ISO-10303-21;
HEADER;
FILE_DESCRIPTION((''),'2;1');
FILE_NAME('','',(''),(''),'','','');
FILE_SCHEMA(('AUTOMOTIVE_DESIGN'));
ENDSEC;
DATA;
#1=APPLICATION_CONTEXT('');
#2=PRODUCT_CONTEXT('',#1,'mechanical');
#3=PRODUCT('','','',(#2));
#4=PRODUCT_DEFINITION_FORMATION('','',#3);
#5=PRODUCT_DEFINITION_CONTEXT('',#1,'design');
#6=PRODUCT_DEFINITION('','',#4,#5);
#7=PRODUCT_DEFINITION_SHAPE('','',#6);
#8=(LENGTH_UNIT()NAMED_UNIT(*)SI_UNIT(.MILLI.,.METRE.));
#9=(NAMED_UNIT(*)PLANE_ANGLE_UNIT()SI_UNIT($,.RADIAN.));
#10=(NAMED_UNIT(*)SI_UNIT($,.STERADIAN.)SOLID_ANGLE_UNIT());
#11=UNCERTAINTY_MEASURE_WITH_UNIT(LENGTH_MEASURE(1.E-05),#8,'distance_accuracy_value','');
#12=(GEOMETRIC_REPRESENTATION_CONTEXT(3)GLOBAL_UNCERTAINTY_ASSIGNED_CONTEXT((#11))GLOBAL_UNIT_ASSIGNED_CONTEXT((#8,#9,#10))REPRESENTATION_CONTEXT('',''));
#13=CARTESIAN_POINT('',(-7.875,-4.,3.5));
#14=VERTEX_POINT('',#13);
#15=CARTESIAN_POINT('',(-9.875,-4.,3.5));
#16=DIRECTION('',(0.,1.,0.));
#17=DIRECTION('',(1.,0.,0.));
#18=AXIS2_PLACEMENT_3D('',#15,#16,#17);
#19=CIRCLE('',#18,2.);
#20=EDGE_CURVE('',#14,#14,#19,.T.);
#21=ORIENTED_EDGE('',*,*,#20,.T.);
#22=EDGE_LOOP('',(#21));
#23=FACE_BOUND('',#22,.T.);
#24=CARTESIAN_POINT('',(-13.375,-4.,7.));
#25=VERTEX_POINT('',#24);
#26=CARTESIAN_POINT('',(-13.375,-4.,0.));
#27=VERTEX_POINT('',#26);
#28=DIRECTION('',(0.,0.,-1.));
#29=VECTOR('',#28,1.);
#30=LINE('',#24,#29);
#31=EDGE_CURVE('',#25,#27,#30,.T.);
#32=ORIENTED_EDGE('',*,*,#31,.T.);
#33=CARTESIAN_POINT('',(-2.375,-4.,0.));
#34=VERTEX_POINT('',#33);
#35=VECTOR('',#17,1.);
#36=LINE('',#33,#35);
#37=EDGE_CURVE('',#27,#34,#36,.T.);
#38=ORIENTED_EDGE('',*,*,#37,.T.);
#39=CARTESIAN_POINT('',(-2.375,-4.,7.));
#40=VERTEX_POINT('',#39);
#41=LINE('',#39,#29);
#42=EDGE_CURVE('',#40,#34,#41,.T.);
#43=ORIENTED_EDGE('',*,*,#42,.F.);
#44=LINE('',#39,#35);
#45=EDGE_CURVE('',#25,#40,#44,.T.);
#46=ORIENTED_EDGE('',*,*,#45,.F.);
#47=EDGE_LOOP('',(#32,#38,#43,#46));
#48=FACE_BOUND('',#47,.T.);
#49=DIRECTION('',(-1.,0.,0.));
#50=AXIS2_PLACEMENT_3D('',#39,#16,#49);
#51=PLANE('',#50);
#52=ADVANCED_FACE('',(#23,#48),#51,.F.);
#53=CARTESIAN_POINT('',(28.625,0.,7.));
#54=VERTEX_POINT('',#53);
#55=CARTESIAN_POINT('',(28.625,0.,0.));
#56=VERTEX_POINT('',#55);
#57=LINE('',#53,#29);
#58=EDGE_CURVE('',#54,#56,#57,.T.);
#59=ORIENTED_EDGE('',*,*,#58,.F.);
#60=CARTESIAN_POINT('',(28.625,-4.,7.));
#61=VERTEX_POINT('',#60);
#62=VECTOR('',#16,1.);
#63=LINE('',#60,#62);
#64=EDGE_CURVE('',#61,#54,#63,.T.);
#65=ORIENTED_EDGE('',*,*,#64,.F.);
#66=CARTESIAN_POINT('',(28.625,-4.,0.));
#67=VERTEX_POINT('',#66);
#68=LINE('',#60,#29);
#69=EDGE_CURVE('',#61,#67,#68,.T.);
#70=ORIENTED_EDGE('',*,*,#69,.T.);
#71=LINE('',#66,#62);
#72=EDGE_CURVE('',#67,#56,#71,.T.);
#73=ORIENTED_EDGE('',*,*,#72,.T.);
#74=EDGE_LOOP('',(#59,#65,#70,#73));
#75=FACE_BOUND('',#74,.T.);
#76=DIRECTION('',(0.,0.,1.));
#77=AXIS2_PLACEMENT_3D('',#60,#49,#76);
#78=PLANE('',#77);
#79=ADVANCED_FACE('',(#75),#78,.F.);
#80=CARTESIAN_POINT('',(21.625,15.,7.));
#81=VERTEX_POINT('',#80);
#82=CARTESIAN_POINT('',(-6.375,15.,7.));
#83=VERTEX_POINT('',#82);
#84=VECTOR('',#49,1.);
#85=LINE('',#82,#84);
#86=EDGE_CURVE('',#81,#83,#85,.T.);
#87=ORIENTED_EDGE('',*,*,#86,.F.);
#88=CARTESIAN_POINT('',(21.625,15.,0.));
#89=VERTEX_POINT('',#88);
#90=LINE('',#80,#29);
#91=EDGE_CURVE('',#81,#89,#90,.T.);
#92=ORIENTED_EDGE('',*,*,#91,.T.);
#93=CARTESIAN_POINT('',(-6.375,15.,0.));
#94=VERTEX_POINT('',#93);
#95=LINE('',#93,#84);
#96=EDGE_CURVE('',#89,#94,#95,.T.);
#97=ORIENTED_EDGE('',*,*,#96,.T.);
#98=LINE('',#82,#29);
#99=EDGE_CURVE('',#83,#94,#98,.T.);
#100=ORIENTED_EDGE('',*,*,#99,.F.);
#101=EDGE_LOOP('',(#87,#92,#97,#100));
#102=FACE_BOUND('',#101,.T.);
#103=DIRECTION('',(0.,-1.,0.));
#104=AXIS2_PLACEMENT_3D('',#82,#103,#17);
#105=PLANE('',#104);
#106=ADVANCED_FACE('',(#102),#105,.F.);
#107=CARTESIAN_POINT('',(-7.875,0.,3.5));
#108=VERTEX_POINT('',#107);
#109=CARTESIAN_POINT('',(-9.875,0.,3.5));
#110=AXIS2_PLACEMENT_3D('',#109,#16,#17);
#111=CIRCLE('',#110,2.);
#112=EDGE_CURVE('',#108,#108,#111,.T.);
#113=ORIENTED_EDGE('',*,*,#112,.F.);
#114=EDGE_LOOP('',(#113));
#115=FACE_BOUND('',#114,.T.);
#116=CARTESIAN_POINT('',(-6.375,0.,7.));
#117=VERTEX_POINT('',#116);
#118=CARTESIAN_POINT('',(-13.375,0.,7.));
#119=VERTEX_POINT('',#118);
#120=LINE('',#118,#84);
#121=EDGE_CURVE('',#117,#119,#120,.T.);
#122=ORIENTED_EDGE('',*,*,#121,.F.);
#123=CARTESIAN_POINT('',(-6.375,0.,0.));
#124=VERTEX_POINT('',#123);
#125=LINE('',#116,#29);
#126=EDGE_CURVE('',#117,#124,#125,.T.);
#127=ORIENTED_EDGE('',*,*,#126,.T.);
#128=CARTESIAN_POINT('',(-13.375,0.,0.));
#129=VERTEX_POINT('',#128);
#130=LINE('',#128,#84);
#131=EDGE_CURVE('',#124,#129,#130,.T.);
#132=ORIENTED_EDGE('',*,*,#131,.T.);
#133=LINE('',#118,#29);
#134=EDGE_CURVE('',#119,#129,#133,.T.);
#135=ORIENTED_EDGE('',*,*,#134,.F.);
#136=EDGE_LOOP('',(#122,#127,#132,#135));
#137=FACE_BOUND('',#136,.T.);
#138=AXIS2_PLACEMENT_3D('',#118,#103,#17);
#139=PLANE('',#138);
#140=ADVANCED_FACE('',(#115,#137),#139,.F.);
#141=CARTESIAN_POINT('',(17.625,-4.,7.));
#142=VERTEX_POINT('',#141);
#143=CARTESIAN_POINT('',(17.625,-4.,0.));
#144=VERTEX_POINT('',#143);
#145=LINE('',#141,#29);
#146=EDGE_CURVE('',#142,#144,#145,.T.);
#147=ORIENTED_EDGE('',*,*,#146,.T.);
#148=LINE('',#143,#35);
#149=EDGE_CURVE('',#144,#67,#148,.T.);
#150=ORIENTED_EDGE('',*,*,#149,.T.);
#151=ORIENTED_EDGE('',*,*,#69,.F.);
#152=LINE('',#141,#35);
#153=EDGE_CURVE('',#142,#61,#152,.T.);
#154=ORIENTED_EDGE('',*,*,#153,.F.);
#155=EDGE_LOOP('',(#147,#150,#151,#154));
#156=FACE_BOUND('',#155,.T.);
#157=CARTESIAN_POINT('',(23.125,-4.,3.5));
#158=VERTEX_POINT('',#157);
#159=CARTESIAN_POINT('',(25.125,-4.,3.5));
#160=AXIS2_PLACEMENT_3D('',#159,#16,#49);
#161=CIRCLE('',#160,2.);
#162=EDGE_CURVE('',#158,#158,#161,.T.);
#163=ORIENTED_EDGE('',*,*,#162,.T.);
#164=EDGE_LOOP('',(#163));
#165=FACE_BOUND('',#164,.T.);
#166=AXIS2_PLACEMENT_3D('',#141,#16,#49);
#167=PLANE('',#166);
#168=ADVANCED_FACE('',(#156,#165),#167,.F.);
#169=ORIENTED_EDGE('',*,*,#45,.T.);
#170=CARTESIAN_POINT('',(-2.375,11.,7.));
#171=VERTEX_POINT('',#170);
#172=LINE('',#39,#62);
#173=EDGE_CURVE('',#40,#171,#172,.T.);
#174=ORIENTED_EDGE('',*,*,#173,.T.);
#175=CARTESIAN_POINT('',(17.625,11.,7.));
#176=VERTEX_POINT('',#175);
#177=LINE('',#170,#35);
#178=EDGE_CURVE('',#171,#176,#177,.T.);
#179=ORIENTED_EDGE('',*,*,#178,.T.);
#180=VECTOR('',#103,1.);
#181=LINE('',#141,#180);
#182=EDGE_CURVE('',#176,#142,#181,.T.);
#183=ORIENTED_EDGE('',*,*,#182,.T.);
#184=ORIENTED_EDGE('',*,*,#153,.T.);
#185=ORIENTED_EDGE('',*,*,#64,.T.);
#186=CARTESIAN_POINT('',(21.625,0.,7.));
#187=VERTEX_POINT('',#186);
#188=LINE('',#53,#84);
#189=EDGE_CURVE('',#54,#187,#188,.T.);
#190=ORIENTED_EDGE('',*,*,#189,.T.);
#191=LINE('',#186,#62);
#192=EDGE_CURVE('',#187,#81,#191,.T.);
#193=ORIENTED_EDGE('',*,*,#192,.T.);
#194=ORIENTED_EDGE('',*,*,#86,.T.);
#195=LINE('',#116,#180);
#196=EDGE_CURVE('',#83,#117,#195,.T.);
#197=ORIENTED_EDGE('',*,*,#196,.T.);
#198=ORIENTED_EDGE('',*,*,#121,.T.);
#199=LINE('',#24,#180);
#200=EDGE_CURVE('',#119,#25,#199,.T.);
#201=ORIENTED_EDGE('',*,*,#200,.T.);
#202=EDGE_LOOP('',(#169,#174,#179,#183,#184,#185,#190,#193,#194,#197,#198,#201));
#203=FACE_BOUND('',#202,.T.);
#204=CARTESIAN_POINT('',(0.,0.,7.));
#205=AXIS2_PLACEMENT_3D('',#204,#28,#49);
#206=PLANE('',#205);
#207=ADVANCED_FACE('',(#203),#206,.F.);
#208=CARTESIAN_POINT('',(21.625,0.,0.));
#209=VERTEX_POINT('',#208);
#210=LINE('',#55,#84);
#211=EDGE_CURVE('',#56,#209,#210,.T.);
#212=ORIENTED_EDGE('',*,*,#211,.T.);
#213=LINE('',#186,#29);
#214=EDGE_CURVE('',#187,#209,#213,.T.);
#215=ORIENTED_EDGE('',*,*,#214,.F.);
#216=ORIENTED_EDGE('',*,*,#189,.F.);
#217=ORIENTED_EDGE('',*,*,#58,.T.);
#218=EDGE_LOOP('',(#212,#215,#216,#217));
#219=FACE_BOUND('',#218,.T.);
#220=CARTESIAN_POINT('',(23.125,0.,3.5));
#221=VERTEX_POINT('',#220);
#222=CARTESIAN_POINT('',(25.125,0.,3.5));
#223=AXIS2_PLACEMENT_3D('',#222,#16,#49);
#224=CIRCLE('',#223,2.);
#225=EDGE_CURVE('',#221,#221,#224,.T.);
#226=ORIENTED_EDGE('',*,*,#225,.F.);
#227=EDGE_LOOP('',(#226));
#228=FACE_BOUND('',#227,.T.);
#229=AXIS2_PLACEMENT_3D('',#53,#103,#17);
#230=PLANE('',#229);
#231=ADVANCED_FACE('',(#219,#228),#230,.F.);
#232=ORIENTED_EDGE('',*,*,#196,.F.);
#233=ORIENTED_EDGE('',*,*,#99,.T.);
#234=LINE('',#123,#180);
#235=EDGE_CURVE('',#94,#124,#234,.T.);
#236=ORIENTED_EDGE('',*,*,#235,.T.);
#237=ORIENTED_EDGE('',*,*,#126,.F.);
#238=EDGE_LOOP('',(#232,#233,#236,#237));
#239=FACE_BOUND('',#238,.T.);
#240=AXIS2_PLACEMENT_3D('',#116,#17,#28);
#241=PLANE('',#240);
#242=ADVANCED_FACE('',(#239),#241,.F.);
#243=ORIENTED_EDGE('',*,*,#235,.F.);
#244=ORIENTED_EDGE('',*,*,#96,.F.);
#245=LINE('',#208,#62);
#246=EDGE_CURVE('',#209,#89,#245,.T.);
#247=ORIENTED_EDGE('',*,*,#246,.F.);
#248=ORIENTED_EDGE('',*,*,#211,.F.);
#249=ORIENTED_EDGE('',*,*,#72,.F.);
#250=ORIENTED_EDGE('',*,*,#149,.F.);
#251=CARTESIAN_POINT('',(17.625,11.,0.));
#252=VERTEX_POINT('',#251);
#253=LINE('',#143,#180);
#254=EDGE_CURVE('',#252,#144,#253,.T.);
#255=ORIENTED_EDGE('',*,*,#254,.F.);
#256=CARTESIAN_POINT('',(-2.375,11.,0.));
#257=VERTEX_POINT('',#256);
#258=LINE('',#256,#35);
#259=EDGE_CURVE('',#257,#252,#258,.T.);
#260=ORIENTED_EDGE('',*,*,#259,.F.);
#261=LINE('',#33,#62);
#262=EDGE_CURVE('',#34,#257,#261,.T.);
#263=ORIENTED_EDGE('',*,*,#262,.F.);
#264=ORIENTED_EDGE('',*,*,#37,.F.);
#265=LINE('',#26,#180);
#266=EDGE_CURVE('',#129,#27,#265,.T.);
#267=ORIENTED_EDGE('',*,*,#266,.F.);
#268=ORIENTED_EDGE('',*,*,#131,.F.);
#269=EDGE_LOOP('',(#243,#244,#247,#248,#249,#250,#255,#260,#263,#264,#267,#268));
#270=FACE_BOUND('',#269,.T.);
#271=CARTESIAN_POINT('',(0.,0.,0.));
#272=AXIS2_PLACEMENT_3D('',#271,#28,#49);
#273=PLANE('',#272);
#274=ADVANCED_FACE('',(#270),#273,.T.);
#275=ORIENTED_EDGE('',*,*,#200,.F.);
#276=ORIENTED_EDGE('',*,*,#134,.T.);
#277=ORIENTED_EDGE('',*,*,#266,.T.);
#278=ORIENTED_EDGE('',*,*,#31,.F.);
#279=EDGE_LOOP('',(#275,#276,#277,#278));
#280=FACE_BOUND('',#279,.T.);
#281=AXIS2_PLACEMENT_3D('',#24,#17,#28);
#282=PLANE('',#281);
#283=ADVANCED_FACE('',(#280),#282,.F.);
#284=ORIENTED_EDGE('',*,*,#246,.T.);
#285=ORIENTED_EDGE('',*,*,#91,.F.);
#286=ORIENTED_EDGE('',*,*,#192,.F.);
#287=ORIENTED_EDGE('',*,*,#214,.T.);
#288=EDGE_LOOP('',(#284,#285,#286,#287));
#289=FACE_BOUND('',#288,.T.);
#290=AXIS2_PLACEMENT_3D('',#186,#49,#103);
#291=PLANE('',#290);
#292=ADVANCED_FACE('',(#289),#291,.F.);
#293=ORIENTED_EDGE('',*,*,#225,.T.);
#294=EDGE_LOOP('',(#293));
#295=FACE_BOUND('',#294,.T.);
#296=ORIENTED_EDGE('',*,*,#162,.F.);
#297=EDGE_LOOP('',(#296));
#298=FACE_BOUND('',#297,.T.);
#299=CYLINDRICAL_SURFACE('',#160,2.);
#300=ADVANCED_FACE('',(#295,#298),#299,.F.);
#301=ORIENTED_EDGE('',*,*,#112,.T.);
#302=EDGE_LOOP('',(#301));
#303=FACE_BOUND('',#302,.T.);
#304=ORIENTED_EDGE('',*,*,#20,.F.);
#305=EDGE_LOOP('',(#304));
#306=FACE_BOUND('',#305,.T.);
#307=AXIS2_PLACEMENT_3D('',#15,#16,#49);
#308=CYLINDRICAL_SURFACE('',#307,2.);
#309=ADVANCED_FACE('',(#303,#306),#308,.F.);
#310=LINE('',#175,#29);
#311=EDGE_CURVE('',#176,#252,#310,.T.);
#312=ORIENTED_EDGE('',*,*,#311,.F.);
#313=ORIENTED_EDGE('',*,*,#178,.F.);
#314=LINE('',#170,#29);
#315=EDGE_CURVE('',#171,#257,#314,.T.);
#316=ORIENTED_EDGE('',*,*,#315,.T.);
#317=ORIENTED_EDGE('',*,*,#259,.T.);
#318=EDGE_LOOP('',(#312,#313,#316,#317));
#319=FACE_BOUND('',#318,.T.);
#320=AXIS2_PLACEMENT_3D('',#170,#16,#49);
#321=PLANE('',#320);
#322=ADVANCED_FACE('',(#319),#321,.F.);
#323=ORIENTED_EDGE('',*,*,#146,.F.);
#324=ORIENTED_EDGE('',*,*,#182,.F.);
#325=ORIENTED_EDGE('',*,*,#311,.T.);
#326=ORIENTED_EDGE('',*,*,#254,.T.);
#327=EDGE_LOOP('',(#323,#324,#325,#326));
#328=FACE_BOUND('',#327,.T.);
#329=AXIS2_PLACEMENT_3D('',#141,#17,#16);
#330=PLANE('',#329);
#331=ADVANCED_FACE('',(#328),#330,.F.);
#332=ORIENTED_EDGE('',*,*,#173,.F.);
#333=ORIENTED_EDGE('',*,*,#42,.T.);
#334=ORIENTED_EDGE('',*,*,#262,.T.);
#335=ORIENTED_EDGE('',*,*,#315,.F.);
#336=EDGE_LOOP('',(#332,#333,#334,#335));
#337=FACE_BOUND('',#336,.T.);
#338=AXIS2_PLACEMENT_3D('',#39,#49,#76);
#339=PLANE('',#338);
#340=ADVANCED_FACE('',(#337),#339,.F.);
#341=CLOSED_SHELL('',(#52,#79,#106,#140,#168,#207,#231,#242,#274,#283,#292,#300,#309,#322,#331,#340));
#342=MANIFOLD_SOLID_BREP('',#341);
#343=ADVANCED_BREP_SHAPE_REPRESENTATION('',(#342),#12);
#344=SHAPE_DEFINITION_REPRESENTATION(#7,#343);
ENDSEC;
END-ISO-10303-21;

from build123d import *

# Parameters (mm, degrees)
EXTRUDE_1_DEPTH     = 7
SKETCH_2_R          = 2
CUT_EXTRUDE_1_DEPTH = 34.066457703


with BuildPart() as part:
    # 草图1 → 凸台-拉伸1 (new body)
    with BuildSketch(Plane.XY):
        Polygon((-2.375, -4), (-2.375, 11), (17.625, 11), (17.625, -4), (28.625, -4), (28.625, 0), (21.625, 0), (21.625, 15), (-6.375, 15), (-6.375, 0), (-13.375, 0), (-13.375, -4), align=None)
    extrude(amount=EXTRUDE_1_DEPTH)

    # 草图2 → 切除-拉伸1 (cut, through all)
    with BuildSketch(Plane(origin=(0, 0, 0), x_dir=(1, 0, 0), z_dir=(0, 1, 0))):
        with Locations(Location((25.125, -3.5, 0), (0, 0, 180))):
            Circle(SKETCH_2_R)
        with Locations((-9.875, -3.5)):
            Circle(SKETCH_2_R)
    extrude(amount=-CUT_EXTRUDE_1_DEPTH, mode=Mode.SUBTRACT)


solid = part.part
